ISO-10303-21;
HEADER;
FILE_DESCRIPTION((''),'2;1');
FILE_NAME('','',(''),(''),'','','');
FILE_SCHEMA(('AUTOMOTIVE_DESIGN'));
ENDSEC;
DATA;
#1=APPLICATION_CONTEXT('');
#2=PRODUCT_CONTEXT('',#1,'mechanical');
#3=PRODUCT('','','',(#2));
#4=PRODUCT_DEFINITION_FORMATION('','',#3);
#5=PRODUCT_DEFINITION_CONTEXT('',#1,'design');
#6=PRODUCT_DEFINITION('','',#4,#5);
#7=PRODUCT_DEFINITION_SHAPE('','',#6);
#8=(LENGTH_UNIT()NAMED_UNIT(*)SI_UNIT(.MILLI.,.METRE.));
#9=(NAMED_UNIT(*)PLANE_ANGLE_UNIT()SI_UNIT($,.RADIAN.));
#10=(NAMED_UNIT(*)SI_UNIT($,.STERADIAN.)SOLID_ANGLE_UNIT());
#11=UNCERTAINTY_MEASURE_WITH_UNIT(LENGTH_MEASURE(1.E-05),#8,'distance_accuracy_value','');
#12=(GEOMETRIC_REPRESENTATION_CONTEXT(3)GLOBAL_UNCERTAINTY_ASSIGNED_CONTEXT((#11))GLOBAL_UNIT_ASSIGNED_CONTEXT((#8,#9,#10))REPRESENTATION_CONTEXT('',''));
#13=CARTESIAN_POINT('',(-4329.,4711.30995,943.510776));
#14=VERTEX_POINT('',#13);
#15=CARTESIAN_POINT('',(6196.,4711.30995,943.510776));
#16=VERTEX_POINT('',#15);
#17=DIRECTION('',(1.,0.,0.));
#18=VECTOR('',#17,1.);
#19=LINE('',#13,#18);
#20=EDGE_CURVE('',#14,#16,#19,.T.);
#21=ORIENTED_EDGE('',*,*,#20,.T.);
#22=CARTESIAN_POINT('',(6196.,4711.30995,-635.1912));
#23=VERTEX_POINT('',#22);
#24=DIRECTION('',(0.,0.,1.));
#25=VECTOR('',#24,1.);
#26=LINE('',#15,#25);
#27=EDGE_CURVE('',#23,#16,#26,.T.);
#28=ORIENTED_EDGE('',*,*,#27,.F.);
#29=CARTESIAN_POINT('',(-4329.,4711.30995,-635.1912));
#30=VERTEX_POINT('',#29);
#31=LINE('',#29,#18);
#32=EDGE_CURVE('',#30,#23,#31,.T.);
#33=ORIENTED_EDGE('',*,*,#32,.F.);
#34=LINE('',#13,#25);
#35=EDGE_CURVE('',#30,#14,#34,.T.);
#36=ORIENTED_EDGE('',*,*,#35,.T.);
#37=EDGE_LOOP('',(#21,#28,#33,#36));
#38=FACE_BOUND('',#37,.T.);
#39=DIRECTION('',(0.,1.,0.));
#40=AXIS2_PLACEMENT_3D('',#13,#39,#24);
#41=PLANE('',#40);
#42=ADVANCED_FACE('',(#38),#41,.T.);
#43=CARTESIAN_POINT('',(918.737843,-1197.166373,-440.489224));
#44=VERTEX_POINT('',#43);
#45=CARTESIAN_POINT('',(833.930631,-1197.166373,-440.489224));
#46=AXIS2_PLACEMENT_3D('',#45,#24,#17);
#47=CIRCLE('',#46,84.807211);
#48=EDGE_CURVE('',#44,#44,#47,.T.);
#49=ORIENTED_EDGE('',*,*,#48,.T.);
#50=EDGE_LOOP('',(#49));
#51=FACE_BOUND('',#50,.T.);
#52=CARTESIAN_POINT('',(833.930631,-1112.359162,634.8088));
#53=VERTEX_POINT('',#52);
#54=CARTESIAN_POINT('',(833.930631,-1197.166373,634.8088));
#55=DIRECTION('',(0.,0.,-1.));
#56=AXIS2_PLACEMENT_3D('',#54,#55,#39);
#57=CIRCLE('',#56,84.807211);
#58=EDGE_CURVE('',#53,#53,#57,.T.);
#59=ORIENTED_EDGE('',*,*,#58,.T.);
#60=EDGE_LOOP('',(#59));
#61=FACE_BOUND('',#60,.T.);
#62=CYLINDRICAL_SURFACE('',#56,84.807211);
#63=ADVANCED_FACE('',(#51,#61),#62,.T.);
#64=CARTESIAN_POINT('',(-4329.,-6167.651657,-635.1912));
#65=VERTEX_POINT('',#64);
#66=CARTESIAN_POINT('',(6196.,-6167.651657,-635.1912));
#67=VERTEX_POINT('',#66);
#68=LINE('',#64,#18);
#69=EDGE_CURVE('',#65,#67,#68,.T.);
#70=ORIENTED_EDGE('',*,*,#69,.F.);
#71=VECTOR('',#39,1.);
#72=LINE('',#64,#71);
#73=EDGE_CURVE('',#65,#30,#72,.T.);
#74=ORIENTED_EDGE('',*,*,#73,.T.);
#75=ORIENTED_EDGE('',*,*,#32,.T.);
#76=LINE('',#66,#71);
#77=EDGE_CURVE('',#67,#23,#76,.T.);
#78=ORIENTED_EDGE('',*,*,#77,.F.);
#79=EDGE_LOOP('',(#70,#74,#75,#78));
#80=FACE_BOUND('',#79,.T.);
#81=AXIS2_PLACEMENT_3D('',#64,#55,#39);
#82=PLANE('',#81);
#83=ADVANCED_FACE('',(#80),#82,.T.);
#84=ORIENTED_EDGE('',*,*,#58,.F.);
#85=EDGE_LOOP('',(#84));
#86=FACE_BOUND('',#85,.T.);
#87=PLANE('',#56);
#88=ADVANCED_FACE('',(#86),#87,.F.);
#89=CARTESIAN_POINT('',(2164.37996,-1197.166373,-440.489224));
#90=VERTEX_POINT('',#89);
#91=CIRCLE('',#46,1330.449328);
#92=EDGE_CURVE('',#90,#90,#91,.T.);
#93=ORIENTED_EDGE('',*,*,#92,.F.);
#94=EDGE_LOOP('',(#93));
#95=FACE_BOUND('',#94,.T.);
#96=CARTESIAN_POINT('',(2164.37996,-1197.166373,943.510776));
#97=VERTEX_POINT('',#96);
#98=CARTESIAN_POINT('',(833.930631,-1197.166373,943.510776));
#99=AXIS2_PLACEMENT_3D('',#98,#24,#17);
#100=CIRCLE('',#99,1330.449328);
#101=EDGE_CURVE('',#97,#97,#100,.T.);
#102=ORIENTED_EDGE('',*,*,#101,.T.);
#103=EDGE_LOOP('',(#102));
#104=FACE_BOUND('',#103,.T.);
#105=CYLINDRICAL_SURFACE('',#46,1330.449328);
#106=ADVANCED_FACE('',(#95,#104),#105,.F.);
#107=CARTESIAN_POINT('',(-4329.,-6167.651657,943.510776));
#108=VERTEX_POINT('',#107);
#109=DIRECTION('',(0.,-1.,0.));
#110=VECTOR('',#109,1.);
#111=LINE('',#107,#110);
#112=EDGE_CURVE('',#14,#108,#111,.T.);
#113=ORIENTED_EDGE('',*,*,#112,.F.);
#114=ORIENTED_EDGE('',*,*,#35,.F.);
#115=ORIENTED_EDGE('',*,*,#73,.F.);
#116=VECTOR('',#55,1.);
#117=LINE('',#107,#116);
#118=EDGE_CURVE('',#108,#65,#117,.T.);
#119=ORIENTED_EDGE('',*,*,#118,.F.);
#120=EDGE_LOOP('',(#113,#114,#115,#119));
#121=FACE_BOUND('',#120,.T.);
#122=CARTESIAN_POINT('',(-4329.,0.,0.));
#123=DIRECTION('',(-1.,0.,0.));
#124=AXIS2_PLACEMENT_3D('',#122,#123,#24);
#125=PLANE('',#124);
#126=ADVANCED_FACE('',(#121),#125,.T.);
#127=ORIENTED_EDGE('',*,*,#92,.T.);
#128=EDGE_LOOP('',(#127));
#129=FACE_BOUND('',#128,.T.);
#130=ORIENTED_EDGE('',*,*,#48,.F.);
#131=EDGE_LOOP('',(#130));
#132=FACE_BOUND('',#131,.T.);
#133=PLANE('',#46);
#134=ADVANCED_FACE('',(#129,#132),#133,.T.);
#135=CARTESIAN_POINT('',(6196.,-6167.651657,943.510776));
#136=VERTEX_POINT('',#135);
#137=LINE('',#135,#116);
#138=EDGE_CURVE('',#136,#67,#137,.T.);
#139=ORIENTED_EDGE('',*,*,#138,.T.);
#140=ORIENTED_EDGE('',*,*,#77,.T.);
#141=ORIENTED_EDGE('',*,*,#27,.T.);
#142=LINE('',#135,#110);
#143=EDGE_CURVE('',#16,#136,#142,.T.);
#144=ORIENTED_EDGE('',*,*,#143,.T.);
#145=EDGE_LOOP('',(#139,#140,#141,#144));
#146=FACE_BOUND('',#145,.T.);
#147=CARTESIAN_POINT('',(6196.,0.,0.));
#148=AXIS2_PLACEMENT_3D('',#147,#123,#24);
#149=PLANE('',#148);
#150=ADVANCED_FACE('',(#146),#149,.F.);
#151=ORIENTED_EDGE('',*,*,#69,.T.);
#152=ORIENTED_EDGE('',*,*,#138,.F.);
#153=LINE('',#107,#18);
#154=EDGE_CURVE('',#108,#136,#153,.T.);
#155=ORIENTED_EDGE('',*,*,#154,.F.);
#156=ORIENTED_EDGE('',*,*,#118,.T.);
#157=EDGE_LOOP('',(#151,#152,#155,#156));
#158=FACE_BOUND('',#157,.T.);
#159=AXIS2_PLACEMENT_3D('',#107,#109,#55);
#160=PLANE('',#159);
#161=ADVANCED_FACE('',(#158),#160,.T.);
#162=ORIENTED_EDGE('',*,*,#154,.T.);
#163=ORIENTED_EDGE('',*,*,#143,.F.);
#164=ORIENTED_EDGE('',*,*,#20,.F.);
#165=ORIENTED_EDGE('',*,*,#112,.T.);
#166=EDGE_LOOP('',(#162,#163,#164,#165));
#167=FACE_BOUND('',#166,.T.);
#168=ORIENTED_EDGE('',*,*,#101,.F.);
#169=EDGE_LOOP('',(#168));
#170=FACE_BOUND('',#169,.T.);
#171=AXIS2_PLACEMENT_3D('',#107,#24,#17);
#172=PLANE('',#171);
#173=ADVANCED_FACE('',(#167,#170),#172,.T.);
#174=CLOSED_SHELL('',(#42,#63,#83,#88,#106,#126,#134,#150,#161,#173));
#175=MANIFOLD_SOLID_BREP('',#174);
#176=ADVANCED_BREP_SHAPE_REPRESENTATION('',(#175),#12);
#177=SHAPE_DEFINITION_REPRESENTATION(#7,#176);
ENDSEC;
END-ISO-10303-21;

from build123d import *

# Parameters (mm, degrees)
BOSS_EXTRUDE1_DEPTH      = 6196
BOSS_EXTRUDE1_DEPTH_BACK = 4329
SKETCH1_W                = 1578.701976668
SKETCH1_H                = 10878.961606317
SKETCH3_R                = 1330.449328347
CUT_EXTRUDE1_DEPTH       = 1384
SKETCH4_R                = 84.807211279
BOSS_EXTRUDE2_DEPTH      = 1270


with BuildPart() as part:
    # Sketch1 → Boss-Extrude1 (new, two sides: drawn at the far end of the back side and taken through both)
    with BuildSketch(Plane(origin=(0, 0, 0), x_dir=(0, 0, -1), z_dir=(1, 0, 0)).offset(-BOSS_EXTRUDE1_DEPTH_BACK)):
        with Locations((-154.159787834, -728.170853353)):
            Rectangle(SKETCH1_W, SKETCH1_H)
    extrude(amount=BOSS_EXTRUDE1_DEPTH + BOSS_EXTRUDE1_DEPTH_BACK)

    # Sketch3 → Cut-Extrude1 (cut)
    with BuildSketch(Plane.XY.offset(943.510776168)):
        with Locations((833.930631376, -1197.16637306)):
            Circle(SKETCH3_R)
    extrude(amount=-CUT_EXTRUDE1_DEPTH, mode=Mode.SUBTRACT)

    # Sketch4 → Boss-Extrude2 (add)
    with BuildSketch(Plane(origin=(0, 0, -635.1912005), x_dir=(-1, 0, 0), z_dir=(0, 0, -1))):
        with Locations(Location((-833.930631376, -1197.16637306, 0), (0, 0, 90))):
            Circle(SKETCH4_R)
    extrude(amount=-BOSS_EXTRUDE2_DEPTH)


solid = part.part
